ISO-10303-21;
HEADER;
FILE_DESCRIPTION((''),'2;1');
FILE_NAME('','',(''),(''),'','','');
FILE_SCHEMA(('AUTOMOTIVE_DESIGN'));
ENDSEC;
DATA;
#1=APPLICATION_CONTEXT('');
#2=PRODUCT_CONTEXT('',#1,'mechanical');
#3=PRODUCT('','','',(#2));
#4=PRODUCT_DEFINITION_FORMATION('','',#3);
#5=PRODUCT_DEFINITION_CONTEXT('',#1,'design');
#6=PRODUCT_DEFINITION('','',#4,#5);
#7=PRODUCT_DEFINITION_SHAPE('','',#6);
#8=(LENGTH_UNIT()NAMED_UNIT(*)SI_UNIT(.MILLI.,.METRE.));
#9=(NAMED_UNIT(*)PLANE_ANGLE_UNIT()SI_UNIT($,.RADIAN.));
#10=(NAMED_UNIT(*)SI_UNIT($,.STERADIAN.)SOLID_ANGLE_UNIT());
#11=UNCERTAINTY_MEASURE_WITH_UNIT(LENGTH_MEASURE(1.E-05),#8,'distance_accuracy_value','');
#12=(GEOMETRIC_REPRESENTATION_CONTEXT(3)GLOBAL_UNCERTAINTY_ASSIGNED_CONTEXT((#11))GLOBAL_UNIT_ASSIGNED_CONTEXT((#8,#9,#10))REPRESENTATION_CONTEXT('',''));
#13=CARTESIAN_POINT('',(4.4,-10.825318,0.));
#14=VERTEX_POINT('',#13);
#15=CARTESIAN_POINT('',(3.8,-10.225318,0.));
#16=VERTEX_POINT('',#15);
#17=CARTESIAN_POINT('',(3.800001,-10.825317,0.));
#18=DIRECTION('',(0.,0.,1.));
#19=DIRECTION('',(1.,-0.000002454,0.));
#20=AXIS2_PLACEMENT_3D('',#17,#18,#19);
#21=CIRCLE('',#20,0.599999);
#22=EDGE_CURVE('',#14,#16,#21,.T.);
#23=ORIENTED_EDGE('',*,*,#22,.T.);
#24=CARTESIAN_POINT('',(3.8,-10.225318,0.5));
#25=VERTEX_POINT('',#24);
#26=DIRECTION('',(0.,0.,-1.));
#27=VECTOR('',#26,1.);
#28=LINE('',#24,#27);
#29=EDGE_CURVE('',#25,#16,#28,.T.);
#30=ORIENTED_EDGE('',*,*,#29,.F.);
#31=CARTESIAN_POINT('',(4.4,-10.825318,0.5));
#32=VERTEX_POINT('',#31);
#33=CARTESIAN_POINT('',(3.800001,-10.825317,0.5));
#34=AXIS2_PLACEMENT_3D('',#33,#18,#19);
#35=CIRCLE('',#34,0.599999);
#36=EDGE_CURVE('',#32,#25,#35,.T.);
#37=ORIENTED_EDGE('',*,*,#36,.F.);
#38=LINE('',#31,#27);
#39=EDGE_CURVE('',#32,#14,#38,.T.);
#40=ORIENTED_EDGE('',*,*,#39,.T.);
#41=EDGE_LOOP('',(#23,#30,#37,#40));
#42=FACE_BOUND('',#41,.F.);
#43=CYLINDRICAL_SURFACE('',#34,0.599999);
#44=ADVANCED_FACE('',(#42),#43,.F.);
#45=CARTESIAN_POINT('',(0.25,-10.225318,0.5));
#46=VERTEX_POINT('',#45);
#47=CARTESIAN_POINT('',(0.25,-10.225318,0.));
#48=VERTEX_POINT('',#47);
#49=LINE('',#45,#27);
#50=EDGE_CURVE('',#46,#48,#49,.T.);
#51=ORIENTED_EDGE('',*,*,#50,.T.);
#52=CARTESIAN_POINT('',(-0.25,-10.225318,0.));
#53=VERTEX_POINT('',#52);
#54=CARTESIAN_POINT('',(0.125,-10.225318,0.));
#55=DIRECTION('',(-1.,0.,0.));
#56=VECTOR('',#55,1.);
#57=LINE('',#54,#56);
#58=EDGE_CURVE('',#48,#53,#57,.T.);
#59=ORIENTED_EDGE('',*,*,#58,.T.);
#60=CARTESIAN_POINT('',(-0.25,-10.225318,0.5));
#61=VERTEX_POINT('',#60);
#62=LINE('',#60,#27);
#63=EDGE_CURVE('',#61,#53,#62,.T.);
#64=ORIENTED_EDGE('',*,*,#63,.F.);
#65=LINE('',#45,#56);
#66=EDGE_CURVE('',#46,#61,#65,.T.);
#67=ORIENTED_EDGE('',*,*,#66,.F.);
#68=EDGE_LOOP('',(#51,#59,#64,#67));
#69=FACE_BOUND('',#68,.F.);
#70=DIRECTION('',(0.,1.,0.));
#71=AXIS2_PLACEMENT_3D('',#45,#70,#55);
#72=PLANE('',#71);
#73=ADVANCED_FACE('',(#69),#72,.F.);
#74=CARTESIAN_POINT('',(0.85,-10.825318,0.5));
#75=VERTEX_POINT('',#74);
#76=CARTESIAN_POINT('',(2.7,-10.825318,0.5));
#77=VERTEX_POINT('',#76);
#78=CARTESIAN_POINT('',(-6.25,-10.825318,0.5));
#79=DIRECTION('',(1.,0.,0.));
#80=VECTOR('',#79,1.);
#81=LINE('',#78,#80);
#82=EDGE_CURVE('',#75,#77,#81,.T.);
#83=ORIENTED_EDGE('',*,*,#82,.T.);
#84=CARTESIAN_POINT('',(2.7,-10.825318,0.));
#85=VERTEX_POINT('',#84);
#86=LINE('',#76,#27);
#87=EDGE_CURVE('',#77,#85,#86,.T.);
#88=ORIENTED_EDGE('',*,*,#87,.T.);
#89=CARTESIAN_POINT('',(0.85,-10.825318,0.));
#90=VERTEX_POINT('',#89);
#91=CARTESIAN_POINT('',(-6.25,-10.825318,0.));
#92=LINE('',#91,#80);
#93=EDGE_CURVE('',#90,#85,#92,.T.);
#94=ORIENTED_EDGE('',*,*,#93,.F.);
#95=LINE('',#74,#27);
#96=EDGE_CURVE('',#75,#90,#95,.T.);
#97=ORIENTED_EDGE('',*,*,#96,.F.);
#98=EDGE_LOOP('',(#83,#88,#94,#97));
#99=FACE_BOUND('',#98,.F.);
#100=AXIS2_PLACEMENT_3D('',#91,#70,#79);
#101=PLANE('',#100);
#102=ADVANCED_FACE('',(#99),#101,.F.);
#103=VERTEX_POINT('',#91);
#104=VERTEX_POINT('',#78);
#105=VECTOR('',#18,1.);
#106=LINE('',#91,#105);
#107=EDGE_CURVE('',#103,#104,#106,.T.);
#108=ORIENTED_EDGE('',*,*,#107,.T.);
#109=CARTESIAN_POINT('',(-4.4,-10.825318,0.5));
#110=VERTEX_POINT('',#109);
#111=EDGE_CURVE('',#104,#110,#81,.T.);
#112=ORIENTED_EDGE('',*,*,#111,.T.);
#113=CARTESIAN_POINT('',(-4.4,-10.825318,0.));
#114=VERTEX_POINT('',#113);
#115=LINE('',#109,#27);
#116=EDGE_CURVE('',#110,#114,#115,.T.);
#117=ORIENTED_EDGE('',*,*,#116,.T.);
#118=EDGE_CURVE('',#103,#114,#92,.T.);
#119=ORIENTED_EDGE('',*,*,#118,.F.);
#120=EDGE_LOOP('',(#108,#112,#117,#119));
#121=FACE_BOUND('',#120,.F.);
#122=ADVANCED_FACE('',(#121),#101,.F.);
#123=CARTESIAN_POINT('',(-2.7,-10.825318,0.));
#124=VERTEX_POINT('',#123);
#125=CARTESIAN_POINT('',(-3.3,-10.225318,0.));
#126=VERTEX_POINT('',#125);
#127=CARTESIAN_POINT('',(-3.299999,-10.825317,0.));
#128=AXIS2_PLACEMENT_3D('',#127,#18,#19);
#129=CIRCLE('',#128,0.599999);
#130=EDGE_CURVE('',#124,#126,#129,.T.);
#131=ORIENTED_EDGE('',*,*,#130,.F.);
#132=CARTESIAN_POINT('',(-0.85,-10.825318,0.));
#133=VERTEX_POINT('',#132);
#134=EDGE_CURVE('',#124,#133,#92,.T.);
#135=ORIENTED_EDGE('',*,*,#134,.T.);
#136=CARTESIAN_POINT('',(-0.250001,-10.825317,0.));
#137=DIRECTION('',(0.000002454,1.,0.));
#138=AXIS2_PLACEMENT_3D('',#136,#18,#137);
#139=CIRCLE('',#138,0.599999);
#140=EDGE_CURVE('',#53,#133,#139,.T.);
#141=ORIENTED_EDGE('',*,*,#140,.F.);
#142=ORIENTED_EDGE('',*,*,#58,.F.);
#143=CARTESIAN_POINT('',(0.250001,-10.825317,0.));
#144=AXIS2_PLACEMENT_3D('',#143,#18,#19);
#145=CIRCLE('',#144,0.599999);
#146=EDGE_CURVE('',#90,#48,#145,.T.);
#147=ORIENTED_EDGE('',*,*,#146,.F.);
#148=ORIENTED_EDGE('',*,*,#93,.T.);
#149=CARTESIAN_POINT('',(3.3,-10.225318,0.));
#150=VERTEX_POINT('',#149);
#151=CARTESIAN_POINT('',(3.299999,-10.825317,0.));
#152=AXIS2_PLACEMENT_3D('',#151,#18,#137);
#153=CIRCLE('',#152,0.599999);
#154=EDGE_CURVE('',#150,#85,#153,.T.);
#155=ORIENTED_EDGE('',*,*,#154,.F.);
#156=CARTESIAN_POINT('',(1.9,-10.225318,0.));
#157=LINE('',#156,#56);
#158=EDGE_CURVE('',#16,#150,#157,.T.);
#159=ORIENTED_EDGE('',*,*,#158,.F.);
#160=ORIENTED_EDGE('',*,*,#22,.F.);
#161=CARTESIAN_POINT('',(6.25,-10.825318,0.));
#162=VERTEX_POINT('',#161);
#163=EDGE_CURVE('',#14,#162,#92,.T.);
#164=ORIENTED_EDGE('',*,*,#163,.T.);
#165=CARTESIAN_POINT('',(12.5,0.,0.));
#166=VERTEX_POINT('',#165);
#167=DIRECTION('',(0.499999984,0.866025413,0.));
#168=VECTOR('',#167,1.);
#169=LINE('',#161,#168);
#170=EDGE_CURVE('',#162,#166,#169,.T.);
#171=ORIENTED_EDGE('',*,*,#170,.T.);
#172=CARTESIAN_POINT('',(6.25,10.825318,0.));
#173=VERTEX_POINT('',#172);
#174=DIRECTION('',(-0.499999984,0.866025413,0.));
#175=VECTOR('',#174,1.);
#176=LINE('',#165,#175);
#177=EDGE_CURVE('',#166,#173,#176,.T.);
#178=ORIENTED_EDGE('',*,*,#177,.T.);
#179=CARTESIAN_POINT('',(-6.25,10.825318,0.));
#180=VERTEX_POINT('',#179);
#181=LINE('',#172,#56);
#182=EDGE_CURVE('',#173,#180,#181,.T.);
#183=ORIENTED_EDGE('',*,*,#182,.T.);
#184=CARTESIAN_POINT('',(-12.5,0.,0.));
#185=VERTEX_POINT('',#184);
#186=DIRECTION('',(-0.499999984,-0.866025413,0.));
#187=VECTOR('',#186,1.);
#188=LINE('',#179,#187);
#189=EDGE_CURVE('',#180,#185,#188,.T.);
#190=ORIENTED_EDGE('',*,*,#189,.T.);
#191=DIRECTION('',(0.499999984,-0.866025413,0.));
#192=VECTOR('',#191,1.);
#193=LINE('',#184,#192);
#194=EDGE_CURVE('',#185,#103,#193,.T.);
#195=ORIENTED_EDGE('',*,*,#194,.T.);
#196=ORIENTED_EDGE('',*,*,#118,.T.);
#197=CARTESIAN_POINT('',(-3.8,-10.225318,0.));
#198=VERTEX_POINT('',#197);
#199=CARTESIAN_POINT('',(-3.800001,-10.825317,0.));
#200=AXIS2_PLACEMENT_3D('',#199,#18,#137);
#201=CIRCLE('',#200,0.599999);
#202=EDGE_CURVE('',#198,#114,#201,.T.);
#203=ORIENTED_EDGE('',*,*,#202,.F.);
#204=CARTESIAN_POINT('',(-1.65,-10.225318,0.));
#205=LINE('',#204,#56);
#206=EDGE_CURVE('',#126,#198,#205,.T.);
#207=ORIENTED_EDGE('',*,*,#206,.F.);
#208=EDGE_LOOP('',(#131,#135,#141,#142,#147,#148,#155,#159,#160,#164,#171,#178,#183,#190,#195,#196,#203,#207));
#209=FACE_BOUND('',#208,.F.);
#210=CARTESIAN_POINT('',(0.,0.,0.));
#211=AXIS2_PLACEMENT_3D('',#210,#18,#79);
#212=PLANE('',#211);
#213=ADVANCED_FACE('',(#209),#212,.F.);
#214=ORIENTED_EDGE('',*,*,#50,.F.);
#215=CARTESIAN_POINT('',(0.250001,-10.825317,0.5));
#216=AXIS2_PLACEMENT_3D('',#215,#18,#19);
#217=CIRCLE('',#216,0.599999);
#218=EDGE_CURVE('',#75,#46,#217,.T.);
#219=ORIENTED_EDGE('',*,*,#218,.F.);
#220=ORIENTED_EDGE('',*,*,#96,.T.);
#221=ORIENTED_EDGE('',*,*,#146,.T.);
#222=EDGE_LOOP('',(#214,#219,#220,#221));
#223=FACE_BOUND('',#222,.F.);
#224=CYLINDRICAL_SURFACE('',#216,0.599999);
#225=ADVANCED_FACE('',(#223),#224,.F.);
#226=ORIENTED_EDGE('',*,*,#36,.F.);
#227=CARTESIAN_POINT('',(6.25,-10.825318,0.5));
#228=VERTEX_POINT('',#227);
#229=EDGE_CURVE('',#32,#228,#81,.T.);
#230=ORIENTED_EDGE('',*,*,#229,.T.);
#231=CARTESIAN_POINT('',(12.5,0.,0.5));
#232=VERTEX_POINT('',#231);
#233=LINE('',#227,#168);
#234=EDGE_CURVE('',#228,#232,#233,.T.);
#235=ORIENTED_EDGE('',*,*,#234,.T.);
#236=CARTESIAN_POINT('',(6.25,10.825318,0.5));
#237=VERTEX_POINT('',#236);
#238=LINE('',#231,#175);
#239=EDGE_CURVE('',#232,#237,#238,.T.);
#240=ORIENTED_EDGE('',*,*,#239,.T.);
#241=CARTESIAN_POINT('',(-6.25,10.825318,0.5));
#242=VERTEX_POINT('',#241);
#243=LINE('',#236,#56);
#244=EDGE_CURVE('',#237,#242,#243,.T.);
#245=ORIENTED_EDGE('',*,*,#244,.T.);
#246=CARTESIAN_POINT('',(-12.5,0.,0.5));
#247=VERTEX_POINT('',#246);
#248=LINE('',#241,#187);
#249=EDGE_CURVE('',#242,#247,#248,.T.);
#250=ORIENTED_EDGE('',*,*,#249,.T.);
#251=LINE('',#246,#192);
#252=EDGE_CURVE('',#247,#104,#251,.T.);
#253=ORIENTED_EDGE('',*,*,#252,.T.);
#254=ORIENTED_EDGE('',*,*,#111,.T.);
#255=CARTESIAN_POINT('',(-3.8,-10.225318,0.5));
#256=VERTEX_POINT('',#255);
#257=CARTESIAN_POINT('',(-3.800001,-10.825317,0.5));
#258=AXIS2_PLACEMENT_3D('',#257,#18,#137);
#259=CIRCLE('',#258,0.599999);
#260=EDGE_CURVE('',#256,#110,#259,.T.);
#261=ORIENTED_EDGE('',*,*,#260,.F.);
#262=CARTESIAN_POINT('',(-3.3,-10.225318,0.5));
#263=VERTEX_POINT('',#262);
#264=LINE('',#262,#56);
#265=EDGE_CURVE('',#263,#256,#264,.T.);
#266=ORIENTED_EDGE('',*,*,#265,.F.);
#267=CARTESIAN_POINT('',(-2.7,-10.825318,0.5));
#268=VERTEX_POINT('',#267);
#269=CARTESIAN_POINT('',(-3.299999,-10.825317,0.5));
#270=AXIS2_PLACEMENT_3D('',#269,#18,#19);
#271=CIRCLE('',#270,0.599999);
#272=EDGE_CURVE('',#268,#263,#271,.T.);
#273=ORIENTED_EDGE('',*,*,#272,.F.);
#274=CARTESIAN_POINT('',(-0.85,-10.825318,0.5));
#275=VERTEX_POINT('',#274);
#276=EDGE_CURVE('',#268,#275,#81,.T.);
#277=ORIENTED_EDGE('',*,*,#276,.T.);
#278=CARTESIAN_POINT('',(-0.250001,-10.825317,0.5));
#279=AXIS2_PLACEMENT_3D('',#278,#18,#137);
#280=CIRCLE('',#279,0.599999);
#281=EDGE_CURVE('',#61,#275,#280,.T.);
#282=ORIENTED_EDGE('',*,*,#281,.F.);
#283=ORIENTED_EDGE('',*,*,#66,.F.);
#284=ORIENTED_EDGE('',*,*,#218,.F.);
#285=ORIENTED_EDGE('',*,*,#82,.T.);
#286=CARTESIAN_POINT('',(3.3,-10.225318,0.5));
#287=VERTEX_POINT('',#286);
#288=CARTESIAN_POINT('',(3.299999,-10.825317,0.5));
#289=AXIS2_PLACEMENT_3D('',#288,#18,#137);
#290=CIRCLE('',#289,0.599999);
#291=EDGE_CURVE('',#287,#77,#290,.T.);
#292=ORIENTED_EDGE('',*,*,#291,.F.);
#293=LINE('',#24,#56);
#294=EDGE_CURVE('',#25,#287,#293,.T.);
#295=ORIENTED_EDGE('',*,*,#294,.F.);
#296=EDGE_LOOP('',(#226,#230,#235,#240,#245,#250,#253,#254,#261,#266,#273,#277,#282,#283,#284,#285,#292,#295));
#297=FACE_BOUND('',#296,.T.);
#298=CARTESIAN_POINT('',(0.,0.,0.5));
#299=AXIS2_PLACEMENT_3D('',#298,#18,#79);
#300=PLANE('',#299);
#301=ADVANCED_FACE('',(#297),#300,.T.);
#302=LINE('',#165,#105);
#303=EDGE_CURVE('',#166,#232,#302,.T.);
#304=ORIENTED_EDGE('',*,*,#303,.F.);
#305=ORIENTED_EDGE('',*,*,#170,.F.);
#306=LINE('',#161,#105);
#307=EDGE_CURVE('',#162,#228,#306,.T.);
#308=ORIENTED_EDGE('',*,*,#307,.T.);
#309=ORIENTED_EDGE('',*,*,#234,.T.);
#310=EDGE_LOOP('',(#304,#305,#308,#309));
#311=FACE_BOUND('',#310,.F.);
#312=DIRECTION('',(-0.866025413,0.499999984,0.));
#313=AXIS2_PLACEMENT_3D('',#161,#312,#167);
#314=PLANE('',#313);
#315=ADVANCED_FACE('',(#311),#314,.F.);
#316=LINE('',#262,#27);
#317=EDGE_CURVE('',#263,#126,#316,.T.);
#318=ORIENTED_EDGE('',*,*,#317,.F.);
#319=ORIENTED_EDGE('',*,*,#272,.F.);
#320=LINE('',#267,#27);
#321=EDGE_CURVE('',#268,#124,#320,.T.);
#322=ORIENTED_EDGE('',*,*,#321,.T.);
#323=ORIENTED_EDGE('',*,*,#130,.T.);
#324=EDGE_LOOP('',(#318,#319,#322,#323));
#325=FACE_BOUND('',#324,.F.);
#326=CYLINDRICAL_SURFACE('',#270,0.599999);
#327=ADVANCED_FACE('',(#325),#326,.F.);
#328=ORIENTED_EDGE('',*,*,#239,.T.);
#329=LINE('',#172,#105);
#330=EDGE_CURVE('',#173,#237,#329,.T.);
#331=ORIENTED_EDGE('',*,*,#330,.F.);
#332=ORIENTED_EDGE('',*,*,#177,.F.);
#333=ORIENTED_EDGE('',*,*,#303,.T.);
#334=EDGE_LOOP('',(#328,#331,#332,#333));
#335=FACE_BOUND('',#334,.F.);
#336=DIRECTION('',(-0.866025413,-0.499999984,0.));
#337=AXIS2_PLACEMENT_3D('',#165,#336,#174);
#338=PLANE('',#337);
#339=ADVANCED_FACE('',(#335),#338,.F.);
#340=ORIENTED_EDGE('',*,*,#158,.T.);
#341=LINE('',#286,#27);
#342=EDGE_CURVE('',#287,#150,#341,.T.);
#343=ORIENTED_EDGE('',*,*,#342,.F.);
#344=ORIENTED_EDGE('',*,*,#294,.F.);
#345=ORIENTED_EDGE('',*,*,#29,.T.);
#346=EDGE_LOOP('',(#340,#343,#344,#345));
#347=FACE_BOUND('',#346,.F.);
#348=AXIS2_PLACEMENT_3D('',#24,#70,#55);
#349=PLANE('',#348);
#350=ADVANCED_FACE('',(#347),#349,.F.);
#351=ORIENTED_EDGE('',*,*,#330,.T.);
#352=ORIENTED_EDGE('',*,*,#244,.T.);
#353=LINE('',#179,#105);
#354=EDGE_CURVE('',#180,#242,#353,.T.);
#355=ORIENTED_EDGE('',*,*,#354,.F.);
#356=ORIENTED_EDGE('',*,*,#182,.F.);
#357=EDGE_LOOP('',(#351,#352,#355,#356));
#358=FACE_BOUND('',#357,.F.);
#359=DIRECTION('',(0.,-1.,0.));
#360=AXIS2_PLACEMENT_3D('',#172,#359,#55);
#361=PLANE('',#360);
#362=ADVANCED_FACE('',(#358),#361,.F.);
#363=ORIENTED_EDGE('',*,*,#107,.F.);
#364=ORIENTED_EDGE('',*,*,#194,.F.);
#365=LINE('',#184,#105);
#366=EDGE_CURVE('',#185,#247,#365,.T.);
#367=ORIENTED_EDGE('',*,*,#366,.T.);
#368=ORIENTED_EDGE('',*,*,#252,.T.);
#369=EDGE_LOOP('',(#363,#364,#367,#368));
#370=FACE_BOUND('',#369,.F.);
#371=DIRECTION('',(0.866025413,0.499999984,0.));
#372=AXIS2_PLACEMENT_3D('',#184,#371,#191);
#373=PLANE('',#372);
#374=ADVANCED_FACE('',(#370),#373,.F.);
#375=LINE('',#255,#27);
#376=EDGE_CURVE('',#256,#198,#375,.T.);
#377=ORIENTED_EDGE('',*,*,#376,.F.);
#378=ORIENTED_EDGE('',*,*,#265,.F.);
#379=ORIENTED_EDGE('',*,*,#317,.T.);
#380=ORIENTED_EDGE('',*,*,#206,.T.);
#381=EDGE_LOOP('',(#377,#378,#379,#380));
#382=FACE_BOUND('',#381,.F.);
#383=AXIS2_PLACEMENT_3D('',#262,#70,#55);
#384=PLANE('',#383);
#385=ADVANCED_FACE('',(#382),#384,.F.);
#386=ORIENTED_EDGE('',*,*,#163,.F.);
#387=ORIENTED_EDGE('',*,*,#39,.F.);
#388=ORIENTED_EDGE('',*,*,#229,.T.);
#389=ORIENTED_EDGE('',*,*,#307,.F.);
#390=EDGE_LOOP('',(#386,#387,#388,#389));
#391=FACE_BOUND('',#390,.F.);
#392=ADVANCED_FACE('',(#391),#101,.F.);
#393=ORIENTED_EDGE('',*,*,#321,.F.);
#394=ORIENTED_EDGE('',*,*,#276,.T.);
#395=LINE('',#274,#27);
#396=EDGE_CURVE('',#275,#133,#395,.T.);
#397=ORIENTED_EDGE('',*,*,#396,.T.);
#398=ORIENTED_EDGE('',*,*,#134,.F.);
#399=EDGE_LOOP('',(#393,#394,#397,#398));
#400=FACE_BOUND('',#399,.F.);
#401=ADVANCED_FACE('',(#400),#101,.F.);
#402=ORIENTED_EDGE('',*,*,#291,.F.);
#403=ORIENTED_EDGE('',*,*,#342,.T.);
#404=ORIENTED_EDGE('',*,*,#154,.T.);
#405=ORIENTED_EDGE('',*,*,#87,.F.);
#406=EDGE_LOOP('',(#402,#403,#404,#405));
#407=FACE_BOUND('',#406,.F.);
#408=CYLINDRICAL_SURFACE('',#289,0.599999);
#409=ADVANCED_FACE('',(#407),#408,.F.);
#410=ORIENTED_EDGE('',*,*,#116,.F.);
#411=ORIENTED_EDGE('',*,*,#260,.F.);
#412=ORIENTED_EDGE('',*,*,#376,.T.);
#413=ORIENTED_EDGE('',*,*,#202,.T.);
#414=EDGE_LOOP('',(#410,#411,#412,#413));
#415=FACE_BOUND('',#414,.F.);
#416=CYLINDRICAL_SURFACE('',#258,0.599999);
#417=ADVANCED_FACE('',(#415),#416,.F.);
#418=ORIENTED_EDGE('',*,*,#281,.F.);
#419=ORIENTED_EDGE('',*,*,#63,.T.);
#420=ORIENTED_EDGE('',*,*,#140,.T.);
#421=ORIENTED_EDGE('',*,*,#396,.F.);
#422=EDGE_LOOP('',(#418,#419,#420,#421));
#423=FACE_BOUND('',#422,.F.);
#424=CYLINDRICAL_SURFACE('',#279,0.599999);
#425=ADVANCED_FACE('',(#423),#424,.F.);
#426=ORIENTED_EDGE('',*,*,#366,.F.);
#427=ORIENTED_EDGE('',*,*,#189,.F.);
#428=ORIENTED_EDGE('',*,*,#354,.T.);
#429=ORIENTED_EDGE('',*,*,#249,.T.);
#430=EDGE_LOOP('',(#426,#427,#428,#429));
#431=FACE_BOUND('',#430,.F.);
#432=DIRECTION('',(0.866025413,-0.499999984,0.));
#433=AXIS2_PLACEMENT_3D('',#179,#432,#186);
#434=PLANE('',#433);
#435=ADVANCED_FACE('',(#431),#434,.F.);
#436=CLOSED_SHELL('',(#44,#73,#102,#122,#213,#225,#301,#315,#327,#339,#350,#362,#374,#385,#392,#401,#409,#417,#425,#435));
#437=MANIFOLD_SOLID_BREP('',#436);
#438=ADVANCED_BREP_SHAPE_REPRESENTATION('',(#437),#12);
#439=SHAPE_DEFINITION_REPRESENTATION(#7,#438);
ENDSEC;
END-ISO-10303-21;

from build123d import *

# Parameters (mm, degrees)
F1_DEPTH = 0.5
F3_DEPTH = 0.501


with BuildPart() as f1:
    # F0 (on Top) → F1 (new body)
    with BuildSketch(Plane.XY):
        Polygon((6.25, -10.825318), (12.5, 0), (6.25, 10.825318), (-6.25, 10.825318), (-12.5, 0), (-6.25, -10.825318), align=None)
    extrude(amount=F1_DEPTH)

    # F2 (on face) → F3 (cut, through all)
    with BuildSketch(Plane.XY.offset(0.5)):
        with BuildLine():
            ThreePointArc((4.4, -10.825318), (4.224264, -10.401053), (3.8, -10.225318))
            Line((3.8, -10.225318), (3.3, -10.225318))
            ThreePointArc((3.3, -10.225318), (2.875736, -10.401053), (2.7, -10.825318))
            Line((2.7, -10.825318), (4.4, -10.825318))
        make_face()
        with BuildLine():
            ThreePointArc((0.85, -10.825318), (0.674264, -10.401053), (0.25, -10.225318))
            Line((0.25, -10.225318), (-0.25, -10.225318))
            ThreePointArc((-0.25, -10.225318), (-0.674264, -10.401053), (-0.85, -10.825318))
            Line((-0.85, -10.825318), (0.85, -10.825318))
        make_face()
        with BuildLine():
            ThreePointArc((-2.7, -10.825318), (-2.875736, -10.401053), (-3.3, -10.225318))
            Line((-3.3, -10.225318), (-3.8, -10.225318))
            ThreePointArc((-3.8, -10.225318), (-4.224264, -10.401053), (-4.4, -10.825318))
            Line((-4.4, -10.825318), (-2.7, -10.825318))
        make_face()
    extrude(amount=-F3_DEPTH, mode=Mode.SUBTRACT)


solid = f1.part
